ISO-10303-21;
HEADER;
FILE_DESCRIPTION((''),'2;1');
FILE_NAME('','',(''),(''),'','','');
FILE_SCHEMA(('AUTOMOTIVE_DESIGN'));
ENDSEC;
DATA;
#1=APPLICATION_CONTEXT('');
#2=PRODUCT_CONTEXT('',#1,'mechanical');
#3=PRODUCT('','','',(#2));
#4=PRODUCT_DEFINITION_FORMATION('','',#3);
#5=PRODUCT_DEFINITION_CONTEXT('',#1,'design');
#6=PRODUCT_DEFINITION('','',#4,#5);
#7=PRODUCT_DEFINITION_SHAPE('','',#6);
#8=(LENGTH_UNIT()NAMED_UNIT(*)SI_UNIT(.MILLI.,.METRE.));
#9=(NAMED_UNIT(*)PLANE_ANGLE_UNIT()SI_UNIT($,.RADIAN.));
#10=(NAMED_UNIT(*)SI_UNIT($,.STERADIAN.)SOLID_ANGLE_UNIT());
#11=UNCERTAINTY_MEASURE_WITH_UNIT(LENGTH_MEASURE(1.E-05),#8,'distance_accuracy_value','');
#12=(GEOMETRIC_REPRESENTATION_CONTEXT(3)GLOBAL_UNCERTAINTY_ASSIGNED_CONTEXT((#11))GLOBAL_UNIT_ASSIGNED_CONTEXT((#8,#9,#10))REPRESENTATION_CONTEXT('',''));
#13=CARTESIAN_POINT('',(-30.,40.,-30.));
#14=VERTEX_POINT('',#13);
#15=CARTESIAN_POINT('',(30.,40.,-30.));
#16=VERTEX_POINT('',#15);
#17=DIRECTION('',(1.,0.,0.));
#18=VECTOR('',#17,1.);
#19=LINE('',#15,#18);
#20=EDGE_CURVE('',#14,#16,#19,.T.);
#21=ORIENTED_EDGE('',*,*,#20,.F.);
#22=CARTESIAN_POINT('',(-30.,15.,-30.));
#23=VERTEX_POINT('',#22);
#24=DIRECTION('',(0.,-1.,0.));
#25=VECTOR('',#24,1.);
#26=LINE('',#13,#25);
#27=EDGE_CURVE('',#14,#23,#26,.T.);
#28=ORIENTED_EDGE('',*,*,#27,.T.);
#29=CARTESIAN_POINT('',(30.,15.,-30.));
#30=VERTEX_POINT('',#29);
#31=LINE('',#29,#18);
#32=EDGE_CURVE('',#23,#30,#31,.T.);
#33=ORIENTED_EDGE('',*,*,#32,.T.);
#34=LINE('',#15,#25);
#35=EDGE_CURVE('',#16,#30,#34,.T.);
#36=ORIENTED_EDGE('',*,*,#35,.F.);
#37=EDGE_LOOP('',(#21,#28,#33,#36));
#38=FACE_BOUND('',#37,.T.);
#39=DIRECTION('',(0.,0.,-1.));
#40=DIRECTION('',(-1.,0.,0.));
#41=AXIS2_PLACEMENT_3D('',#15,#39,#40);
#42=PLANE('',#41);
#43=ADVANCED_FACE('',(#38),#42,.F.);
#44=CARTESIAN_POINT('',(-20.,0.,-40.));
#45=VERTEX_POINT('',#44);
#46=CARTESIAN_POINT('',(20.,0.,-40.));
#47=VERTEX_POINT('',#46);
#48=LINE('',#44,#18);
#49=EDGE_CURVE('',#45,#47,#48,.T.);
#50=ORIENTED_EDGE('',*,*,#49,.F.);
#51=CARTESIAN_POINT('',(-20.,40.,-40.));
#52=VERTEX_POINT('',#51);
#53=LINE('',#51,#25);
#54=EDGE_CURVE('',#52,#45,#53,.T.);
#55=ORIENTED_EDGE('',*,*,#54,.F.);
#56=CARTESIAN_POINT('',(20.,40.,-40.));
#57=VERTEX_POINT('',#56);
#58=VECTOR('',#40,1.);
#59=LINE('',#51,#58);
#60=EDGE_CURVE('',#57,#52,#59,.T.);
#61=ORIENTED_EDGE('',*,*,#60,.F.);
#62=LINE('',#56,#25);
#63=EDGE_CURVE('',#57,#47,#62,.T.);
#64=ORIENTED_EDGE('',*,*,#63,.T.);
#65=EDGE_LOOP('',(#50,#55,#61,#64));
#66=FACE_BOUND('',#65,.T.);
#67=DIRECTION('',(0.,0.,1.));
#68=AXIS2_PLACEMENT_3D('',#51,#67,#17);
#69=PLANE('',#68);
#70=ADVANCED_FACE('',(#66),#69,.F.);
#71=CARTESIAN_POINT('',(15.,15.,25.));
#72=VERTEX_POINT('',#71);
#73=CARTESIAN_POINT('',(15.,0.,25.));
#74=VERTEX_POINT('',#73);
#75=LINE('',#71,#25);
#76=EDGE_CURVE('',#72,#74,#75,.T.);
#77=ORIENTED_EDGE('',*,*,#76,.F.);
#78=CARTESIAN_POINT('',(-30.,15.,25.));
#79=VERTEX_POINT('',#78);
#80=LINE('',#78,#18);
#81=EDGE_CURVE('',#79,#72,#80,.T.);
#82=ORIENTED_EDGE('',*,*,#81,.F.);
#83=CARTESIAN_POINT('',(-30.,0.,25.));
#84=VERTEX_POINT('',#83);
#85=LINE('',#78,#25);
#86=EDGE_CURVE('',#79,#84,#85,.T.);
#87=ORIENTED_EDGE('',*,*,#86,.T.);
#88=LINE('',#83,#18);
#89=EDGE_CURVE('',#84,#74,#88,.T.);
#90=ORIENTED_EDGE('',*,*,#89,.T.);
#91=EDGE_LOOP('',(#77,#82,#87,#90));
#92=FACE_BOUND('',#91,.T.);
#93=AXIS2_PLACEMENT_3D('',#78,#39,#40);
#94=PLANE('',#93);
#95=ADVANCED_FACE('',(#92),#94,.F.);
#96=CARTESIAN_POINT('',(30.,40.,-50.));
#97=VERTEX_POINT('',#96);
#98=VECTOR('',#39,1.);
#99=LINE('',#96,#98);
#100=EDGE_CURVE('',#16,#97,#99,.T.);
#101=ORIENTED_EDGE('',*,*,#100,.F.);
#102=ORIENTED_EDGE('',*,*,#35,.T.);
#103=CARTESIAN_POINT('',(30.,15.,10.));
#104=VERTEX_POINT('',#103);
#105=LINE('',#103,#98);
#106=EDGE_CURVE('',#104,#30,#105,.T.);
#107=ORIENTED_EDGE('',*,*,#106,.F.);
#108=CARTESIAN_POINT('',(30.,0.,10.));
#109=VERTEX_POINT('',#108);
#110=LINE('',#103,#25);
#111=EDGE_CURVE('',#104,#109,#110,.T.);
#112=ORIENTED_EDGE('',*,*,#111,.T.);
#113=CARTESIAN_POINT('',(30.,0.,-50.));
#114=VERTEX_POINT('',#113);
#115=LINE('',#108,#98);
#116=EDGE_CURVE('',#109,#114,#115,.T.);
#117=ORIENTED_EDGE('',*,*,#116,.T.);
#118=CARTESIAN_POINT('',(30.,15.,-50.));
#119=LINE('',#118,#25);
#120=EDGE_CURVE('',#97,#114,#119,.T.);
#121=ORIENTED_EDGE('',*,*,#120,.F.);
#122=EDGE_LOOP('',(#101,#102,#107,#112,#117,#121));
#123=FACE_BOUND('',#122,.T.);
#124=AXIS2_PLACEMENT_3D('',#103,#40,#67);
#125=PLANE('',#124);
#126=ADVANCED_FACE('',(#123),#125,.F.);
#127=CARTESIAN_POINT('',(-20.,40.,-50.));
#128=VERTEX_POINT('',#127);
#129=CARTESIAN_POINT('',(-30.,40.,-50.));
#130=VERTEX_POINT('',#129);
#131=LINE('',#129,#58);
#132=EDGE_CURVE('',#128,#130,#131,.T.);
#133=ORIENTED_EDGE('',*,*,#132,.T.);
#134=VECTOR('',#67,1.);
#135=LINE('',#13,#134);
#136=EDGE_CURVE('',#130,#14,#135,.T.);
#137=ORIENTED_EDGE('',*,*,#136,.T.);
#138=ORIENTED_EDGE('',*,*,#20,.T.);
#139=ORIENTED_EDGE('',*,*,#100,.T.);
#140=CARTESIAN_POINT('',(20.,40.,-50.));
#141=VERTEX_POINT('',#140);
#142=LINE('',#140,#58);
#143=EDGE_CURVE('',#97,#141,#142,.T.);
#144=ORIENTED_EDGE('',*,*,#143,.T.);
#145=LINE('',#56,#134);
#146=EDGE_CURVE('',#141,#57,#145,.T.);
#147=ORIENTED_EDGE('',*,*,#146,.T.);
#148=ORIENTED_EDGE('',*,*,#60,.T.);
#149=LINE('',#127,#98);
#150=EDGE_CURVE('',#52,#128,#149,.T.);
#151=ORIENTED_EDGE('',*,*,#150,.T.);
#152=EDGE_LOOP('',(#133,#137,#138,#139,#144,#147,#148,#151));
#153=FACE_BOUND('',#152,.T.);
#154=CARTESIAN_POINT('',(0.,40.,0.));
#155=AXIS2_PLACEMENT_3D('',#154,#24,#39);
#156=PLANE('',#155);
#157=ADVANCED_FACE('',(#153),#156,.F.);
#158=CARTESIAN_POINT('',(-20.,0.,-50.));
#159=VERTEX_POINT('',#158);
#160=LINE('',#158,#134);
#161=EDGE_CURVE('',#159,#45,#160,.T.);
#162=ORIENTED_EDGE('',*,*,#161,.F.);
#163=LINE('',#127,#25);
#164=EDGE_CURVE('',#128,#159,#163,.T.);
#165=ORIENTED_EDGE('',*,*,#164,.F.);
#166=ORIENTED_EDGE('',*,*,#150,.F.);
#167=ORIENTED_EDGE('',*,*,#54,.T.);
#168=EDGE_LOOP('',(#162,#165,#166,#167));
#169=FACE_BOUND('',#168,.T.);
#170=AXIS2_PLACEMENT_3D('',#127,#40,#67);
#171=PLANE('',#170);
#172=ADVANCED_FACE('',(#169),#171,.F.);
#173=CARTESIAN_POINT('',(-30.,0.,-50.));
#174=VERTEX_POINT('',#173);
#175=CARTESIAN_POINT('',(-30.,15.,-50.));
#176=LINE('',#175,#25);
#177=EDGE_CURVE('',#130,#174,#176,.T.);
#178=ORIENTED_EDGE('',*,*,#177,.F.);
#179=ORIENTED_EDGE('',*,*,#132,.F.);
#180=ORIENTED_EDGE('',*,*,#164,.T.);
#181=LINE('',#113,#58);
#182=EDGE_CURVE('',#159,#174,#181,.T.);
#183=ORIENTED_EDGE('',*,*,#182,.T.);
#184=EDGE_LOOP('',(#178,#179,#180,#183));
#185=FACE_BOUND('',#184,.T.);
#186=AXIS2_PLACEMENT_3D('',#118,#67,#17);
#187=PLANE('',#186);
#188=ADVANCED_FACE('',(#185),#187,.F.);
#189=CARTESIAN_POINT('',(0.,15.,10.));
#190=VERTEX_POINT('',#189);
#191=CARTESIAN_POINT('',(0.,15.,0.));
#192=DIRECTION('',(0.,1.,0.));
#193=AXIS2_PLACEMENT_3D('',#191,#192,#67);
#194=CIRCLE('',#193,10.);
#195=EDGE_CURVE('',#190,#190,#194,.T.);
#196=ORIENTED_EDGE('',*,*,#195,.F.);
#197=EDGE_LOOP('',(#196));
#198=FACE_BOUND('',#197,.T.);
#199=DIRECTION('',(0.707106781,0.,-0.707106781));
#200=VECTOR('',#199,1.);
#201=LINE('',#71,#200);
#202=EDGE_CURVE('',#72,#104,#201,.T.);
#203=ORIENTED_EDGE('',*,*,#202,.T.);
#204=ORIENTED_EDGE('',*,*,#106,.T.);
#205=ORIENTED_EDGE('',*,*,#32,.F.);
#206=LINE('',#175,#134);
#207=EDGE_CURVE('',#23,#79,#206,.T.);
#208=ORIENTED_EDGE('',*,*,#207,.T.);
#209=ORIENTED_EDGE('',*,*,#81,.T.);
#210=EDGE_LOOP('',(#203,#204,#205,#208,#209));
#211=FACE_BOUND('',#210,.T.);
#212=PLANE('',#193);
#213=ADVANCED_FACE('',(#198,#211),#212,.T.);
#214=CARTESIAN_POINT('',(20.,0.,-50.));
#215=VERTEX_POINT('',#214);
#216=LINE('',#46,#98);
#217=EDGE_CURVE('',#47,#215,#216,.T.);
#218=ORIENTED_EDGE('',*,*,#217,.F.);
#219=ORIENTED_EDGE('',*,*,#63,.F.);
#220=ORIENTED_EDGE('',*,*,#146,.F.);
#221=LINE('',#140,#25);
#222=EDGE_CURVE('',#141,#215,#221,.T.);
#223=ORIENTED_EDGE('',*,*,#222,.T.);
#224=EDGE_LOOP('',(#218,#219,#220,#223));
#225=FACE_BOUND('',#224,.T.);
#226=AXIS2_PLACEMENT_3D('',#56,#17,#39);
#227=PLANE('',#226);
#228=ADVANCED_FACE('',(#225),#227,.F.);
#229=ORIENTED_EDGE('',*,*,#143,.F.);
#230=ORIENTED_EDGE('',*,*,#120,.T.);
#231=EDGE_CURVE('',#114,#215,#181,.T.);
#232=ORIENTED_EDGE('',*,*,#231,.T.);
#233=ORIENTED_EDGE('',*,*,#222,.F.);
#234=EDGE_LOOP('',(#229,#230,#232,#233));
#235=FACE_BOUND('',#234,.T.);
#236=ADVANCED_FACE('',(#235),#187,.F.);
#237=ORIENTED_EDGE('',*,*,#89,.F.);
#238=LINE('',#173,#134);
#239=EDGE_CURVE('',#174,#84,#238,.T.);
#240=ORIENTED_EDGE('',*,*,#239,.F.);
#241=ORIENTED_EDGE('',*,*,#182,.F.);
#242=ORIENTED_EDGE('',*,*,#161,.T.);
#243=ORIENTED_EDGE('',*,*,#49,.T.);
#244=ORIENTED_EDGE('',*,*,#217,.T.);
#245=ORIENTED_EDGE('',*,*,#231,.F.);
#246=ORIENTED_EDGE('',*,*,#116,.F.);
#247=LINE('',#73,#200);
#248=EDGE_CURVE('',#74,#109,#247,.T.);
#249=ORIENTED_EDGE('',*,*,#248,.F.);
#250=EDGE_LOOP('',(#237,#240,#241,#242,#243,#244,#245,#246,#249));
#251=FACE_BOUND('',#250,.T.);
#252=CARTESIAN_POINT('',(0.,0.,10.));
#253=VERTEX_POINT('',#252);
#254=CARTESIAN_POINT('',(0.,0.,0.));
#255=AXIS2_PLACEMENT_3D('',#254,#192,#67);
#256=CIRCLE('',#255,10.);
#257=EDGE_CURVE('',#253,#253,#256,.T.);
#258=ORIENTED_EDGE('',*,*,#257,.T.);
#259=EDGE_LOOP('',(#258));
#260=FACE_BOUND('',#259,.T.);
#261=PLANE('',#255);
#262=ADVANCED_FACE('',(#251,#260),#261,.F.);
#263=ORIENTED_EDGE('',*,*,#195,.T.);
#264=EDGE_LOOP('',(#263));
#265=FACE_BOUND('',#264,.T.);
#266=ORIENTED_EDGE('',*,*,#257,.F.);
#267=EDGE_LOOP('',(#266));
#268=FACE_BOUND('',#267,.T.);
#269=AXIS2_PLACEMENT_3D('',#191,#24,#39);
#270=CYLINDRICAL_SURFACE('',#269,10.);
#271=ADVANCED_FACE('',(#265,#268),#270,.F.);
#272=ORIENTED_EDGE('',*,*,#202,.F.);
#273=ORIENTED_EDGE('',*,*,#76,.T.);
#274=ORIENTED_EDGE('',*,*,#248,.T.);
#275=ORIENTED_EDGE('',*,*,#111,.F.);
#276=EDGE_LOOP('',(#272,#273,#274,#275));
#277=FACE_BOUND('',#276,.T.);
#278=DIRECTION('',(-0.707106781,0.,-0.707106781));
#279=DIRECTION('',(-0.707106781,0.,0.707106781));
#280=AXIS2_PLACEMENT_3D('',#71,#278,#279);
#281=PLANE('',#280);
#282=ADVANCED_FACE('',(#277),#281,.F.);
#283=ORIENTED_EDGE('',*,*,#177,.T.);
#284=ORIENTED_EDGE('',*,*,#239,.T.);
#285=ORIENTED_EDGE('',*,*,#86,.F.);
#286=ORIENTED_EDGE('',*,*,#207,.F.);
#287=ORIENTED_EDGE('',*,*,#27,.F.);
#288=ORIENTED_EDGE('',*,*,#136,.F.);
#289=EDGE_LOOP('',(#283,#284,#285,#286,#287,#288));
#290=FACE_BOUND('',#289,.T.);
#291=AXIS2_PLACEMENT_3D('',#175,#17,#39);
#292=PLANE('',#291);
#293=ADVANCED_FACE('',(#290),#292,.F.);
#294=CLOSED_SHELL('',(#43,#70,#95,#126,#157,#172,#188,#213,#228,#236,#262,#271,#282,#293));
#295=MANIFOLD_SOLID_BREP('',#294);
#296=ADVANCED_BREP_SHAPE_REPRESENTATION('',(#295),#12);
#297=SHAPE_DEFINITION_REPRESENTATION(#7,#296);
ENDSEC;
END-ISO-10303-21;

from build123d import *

# Parameters (mm, degrees)
SKETCH1_R           = 10
BOSS_EXTRUDE1_DEPTH = 15
BOSS_EXTRUDE2_DEPTH = 25
SKETCH3_W           = 40
SKETCH3_H           = 10
CUT_EXTRUDE1_DEPTH  = 71.710678119


with BuildPart() as part:
    # Sketch1 → Boss-Extrude1 (new body)
    with BuildSketch(Plane(origin=(0, 0, 0), x_dir=(-1, 0, 0), z_dir=(0, 1, 0))):
        Polygon((-30, -50), (30, -50), (30, 25), (-15, 25), (-30, 10), align=None)
        with Locations(Location((0, 0, 0), (0, 0, 90))):
            Circle(SKETCH1_R, mode=Mode.SUBTRACT)
    extrude(amount=BOSS_EXTRUDE1_DEPTH)

    # Sketch2 → Boss-Extrude2 (add)
    with BuildSketch(Plane(origin=(0, 15, 0), x_dir=(-1, 0, 0), z_dir=(0, 1, 0))):
        Polygon((-30, -50), (-30, -30), (30, -30), (30, -50), (20, -50), (20, -40), (-20, -40), (-20, -50), align=None)
    extrude(amount=BOSS_EXTRUDE2_DEPTH)

    # Sketch3 → Cut-Extrude1 (cut, through all)
    with BuildSketch(Plane(origin=(0, 40, 0), x_dir=(-1, 0, 0), z_dir=(0, 1, 0))):
        with Locations((0, -45)):
            Rectangle(SKETCH3_W, SKETCH3_H)
    extrude(amount=-CUT_EXTRUDE1_DEPTH, mode=Mode.SUBTRACT)


solid = part.part
